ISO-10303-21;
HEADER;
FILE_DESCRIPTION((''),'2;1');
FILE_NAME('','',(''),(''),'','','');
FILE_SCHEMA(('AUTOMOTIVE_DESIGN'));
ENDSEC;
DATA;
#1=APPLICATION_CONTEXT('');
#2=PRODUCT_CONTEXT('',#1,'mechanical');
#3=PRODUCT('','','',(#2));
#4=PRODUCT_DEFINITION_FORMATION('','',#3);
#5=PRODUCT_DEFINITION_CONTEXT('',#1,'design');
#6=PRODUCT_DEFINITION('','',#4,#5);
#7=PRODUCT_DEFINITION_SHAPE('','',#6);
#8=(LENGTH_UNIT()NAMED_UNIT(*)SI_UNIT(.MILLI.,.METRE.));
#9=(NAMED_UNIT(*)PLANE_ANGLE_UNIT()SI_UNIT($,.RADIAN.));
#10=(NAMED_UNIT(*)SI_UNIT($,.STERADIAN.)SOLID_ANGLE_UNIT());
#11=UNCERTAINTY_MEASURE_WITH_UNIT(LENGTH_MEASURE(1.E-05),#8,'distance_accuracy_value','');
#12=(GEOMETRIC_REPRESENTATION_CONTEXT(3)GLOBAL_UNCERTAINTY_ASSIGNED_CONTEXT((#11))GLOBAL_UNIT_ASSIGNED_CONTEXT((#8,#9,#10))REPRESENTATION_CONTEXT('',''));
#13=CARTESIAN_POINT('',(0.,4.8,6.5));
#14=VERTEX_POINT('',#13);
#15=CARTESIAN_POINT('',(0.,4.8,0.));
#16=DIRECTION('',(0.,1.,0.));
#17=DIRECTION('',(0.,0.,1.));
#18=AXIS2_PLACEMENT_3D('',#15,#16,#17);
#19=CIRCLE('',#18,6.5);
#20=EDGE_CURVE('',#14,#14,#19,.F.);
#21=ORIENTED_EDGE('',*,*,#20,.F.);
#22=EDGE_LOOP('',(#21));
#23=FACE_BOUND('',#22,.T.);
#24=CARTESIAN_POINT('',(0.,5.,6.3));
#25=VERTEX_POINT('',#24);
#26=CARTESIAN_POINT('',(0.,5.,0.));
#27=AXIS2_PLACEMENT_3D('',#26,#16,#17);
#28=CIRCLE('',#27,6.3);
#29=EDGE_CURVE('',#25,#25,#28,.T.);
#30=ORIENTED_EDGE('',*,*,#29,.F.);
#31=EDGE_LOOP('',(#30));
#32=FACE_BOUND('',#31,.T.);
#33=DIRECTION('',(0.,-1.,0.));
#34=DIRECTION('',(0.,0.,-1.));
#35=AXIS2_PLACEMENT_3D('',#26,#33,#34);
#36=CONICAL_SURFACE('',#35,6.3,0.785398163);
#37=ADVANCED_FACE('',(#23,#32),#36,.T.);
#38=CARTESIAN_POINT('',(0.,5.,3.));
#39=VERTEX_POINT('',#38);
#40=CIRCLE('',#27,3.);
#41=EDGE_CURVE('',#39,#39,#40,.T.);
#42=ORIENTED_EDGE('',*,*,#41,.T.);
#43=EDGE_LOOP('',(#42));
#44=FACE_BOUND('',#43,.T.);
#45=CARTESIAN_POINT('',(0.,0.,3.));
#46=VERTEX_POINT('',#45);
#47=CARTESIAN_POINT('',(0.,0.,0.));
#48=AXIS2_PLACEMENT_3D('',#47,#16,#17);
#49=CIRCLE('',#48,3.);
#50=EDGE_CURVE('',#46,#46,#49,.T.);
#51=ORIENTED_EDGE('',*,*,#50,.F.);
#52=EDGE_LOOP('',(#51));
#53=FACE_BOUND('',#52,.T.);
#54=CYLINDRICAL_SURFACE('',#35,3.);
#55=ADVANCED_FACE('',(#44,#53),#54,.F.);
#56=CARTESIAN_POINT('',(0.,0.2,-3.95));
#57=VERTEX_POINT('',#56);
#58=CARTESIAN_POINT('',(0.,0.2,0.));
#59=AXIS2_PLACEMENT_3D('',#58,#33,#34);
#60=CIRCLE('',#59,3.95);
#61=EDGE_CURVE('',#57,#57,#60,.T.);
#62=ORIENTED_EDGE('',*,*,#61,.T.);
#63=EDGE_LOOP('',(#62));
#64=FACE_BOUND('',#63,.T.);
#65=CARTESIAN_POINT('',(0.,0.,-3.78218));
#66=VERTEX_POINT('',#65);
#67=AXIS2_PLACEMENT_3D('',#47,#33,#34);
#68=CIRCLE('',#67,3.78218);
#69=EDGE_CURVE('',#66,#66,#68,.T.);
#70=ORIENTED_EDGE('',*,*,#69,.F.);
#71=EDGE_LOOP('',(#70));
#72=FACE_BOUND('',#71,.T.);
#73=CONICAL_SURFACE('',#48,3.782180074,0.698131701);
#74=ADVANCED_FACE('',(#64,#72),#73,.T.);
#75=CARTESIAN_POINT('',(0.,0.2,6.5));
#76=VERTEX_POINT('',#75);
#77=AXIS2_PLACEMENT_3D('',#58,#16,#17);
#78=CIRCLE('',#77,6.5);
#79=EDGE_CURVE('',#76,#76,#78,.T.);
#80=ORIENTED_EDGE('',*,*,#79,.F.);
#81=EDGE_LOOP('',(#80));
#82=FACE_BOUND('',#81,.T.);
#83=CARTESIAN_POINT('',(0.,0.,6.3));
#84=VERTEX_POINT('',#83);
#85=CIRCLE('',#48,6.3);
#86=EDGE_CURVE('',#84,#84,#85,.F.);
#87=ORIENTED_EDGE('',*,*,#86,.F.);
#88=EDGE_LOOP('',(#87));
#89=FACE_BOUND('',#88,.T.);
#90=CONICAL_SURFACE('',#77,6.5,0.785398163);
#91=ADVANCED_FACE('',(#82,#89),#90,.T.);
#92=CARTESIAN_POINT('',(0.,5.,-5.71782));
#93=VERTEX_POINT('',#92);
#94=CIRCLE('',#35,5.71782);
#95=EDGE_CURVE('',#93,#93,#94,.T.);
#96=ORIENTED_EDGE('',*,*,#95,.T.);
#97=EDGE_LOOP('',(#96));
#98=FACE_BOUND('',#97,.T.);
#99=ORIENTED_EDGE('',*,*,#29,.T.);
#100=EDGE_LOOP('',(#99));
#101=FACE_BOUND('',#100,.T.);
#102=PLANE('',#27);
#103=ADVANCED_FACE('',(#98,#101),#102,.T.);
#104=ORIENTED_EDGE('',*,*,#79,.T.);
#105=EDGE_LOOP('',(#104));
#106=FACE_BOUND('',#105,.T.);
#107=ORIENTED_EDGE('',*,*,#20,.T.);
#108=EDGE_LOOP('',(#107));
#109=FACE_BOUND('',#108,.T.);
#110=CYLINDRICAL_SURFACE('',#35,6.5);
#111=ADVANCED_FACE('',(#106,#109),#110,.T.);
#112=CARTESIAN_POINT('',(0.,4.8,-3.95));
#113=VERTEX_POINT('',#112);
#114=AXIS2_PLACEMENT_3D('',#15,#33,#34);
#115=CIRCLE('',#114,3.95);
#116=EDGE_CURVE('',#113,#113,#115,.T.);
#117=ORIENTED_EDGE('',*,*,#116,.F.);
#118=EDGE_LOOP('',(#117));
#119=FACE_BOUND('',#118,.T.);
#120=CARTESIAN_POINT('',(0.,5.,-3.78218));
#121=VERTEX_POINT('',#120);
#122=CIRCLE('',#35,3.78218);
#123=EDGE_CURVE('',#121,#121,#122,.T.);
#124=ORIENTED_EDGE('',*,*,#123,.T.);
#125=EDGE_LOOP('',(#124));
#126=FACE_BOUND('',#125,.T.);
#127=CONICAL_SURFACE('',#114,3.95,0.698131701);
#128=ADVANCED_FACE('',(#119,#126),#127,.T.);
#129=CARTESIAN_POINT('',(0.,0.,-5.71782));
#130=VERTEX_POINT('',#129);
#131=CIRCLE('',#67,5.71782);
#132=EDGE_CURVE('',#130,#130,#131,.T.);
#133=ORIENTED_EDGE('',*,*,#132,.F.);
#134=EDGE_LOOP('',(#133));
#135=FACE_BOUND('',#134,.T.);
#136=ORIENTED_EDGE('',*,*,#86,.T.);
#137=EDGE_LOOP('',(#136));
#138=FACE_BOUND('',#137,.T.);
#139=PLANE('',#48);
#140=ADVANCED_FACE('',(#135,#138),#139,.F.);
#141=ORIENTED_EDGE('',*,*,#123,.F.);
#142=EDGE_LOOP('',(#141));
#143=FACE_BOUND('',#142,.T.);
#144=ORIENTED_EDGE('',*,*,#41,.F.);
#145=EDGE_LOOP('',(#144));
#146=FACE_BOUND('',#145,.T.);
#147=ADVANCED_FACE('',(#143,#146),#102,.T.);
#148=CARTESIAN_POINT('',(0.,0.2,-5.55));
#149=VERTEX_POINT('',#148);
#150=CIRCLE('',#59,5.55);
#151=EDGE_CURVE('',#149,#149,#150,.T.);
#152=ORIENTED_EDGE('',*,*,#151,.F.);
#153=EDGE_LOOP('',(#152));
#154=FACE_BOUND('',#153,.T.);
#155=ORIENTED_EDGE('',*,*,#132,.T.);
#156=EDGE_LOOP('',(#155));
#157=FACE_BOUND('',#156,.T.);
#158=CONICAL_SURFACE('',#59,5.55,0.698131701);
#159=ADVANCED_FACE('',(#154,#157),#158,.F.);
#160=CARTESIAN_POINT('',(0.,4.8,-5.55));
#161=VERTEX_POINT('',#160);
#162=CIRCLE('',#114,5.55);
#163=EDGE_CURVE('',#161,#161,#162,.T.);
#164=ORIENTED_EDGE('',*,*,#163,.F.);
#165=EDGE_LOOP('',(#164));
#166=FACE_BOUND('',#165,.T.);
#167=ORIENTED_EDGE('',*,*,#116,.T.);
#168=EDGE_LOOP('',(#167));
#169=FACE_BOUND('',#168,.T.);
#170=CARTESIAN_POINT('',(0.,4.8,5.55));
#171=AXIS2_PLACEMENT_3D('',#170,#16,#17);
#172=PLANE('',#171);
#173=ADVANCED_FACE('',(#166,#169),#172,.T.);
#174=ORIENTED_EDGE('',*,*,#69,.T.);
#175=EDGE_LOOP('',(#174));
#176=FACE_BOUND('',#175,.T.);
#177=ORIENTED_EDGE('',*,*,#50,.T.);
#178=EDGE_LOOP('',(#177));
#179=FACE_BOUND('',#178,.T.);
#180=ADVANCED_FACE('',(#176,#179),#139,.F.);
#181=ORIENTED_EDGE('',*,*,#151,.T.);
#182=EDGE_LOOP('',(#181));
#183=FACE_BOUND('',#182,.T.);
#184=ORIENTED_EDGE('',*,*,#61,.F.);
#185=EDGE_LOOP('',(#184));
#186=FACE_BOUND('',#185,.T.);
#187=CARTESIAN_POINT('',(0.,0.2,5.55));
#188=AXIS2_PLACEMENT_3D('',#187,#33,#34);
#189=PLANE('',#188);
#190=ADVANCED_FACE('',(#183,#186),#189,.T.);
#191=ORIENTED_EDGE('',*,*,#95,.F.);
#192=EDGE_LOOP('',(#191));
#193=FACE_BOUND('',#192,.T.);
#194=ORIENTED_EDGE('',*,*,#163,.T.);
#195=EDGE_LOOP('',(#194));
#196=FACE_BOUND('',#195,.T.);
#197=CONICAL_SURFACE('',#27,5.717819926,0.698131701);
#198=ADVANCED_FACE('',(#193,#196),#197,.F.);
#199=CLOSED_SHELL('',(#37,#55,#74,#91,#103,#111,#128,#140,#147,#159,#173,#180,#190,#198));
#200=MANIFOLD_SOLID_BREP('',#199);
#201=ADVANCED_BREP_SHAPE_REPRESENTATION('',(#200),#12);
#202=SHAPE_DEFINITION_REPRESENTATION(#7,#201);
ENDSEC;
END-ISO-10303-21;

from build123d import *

# Parameters (mm, degrees)
SKETCH_1_R      = 6.5
SKETCH_1_R_2    = 3
EXTRUDE_1_DEPTH = 5
CHAMFER_1_SIZE  = 0.2


with BuildPart() as part:
    # 草图1 → 凸台-拉伸1 (new body)
    with BuildSketch(Plane(origin=(0, 0, 0), x_dir=(1, 0, 0), z_dir=(0, 1, 0))):
        with Locations(Location((0, 0, 0), (0, 0, 270))):
            Circle(SKETCH_1_R)
        with Locations(Location((0, 0, 0), (0, 0, 270))):
            Circle(SKETCH_1_R_2, mode=Mode.SUBTRACT)
    extrude(amount=EXTRUDE_1_DEPTH)

    # 草图2 → 切除-旋转1 (revolve, cut)
    with BuildSketch(Plane(origin=(0, 0, 0), x_dir=(0, 0, -1), z_dir=(1, 0, 0)), mode=Mode.PRIVATE) as cut_revolve_1_sk:
        Polygon((-5.717819926, 5), (-5.55, 4.8), (-3.95, 4.8), (-3.782180074, 5), align=None)
        Polygon((-3.95, 0.2), (-3.782180074, 0), (-5.717819926, 0), (-5.55, 0.2), align=None)
    revolve(cut_revolve_1_sk.sketch.rotate(Axis((0, 0, 0), (0, 1, 0)), 180), axis=Axis((0, 0, 0), (0, 1, 0)), mode=Mode.SUBTRACT)

    # 倒角1
    chamfer_1_edges = [part.edges().sort_by_distance(p)[0] for p in [
        (0, 0, -6.5),
        (0, 5, -6.5),
    ]]
    chamfer(chamfer_1_edges, length=CHAMFER_1_SIZE)


solid = part.part
